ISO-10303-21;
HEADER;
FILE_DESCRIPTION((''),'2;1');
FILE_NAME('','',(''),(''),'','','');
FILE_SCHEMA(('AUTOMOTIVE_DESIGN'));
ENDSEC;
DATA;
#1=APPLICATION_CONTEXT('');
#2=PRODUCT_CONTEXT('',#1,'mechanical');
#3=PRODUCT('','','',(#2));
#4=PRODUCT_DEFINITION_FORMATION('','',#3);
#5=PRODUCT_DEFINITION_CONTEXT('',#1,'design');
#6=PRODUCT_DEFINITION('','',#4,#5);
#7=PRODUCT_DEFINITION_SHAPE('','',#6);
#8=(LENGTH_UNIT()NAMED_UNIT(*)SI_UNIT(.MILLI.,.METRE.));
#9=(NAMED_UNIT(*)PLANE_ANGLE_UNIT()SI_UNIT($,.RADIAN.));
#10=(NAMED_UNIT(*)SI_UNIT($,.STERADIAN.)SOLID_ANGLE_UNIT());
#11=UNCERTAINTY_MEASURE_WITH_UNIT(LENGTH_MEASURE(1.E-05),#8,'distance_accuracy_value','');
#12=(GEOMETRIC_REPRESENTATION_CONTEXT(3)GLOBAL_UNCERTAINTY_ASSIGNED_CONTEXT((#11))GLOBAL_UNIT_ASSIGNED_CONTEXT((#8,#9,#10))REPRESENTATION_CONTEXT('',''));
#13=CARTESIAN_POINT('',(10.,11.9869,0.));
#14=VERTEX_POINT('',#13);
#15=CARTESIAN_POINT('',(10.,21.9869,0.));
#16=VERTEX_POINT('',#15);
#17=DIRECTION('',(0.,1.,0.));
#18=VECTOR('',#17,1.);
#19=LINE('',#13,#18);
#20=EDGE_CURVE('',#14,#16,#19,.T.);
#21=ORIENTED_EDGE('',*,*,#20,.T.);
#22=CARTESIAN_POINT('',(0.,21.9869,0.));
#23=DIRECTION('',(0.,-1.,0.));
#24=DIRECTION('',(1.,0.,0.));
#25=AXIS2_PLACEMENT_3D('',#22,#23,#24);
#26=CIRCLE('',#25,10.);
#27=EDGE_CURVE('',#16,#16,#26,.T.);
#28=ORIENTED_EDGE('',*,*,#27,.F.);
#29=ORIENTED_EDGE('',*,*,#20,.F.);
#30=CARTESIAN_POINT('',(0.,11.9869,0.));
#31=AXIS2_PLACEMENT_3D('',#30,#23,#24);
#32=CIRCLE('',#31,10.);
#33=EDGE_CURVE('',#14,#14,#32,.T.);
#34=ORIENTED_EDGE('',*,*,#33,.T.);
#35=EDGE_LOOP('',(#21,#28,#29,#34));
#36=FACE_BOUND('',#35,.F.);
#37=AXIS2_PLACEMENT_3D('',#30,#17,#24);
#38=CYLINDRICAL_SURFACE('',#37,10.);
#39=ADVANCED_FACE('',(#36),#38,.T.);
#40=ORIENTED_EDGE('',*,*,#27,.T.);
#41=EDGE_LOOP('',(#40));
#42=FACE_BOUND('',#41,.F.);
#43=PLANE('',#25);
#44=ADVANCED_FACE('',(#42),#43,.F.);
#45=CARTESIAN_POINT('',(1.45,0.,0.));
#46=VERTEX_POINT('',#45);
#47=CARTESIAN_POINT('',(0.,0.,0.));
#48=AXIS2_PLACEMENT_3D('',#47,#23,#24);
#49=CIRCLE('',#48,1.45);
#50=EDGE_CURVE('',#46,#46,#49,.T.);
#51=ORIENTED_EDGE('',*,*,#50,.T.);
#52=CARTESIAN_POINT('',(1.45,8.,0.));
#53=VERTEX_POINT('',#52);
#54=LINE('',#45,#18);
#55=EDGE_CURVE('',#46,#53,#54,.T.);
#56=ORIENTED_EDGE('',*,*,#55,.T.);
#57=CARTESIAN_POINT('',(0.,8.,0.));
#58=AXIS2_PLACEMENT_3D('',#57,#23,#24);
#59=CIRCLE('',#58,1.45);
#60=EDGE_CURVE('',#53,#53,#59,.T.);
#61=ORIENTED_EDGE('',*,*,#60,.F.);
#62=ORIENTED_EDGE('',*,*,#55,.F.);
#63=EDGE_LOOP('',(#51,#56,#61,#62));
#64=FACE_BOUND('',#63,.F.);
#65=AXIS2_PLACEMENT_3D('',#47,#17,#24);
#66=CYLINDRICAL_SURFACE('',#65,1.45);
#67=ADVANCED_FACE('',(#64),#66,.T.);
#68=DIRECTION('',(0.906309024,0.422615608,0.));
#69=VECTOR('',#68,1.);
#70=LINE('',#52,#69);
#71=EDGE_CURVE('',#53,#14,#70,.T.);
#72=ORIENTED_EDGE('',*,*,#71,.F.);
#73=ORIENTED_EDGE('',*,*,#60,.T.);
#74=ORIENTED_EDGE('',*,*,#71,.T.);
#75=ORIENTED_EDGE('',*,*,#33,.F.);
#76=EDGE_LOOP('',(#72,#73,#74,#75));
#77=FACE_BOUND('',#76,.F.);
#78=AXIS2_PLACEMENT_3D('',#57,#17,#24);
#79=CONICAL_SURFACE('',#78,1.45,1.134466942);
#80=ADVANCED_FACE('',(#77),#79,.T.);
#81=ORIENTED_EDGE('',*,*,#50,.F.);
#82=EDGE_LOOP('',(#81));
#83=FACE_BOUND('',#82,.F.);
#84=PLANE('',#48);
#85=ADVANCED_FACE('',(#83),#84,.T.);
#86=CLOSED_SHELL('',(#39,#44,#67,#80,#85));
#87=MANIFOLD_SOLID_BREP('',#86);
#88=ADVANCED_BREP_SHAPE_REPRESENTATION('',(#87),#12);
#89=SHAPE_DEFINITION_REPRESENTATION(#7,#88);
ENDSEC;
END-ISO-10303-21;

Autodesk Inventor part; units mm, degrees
ref_plane "YZ Plane" through (0, 0, 0) normal (1, 0, 0) x (0, 1, 0)
ref_plane "XZ Plane" through (0, 0, 0) normal (0, 1, 0) x (-1, 0, 0)
ref_plane "XY Plane" through (0, 0, 0) normal (0, 0, 1) x (1, 0, 0)
sketch "Sketch1" plane through (0, 0, 0) normal (0, 0, 1) x (1, 0, 0)
  line L0 (0, 0) -> (1.45, 0)
  line L1 (1.45, 0) -> (1.45, 8)
  line L2 (1.45, 8) -> (10, 11.9869)
  line L3 (0, 21.9869) -> (0, 0)
  line L4 (10, 11.9869) -> (10, 21.9869)
  line L5 (10, 21.9869) -> (0, 21.9869)
  dimension "d0" = 1.45
  dimension "d1" = 8
  dimension "d2" = 65
  dimension "d4" = 10
  dimension "d6" = 10
revolve "Revolution1" add sketch "Sketch1" angle 360 about axis through (0, 21.9869, 0) along (0, -1, 0)
properties part number "P00173-09-023"
